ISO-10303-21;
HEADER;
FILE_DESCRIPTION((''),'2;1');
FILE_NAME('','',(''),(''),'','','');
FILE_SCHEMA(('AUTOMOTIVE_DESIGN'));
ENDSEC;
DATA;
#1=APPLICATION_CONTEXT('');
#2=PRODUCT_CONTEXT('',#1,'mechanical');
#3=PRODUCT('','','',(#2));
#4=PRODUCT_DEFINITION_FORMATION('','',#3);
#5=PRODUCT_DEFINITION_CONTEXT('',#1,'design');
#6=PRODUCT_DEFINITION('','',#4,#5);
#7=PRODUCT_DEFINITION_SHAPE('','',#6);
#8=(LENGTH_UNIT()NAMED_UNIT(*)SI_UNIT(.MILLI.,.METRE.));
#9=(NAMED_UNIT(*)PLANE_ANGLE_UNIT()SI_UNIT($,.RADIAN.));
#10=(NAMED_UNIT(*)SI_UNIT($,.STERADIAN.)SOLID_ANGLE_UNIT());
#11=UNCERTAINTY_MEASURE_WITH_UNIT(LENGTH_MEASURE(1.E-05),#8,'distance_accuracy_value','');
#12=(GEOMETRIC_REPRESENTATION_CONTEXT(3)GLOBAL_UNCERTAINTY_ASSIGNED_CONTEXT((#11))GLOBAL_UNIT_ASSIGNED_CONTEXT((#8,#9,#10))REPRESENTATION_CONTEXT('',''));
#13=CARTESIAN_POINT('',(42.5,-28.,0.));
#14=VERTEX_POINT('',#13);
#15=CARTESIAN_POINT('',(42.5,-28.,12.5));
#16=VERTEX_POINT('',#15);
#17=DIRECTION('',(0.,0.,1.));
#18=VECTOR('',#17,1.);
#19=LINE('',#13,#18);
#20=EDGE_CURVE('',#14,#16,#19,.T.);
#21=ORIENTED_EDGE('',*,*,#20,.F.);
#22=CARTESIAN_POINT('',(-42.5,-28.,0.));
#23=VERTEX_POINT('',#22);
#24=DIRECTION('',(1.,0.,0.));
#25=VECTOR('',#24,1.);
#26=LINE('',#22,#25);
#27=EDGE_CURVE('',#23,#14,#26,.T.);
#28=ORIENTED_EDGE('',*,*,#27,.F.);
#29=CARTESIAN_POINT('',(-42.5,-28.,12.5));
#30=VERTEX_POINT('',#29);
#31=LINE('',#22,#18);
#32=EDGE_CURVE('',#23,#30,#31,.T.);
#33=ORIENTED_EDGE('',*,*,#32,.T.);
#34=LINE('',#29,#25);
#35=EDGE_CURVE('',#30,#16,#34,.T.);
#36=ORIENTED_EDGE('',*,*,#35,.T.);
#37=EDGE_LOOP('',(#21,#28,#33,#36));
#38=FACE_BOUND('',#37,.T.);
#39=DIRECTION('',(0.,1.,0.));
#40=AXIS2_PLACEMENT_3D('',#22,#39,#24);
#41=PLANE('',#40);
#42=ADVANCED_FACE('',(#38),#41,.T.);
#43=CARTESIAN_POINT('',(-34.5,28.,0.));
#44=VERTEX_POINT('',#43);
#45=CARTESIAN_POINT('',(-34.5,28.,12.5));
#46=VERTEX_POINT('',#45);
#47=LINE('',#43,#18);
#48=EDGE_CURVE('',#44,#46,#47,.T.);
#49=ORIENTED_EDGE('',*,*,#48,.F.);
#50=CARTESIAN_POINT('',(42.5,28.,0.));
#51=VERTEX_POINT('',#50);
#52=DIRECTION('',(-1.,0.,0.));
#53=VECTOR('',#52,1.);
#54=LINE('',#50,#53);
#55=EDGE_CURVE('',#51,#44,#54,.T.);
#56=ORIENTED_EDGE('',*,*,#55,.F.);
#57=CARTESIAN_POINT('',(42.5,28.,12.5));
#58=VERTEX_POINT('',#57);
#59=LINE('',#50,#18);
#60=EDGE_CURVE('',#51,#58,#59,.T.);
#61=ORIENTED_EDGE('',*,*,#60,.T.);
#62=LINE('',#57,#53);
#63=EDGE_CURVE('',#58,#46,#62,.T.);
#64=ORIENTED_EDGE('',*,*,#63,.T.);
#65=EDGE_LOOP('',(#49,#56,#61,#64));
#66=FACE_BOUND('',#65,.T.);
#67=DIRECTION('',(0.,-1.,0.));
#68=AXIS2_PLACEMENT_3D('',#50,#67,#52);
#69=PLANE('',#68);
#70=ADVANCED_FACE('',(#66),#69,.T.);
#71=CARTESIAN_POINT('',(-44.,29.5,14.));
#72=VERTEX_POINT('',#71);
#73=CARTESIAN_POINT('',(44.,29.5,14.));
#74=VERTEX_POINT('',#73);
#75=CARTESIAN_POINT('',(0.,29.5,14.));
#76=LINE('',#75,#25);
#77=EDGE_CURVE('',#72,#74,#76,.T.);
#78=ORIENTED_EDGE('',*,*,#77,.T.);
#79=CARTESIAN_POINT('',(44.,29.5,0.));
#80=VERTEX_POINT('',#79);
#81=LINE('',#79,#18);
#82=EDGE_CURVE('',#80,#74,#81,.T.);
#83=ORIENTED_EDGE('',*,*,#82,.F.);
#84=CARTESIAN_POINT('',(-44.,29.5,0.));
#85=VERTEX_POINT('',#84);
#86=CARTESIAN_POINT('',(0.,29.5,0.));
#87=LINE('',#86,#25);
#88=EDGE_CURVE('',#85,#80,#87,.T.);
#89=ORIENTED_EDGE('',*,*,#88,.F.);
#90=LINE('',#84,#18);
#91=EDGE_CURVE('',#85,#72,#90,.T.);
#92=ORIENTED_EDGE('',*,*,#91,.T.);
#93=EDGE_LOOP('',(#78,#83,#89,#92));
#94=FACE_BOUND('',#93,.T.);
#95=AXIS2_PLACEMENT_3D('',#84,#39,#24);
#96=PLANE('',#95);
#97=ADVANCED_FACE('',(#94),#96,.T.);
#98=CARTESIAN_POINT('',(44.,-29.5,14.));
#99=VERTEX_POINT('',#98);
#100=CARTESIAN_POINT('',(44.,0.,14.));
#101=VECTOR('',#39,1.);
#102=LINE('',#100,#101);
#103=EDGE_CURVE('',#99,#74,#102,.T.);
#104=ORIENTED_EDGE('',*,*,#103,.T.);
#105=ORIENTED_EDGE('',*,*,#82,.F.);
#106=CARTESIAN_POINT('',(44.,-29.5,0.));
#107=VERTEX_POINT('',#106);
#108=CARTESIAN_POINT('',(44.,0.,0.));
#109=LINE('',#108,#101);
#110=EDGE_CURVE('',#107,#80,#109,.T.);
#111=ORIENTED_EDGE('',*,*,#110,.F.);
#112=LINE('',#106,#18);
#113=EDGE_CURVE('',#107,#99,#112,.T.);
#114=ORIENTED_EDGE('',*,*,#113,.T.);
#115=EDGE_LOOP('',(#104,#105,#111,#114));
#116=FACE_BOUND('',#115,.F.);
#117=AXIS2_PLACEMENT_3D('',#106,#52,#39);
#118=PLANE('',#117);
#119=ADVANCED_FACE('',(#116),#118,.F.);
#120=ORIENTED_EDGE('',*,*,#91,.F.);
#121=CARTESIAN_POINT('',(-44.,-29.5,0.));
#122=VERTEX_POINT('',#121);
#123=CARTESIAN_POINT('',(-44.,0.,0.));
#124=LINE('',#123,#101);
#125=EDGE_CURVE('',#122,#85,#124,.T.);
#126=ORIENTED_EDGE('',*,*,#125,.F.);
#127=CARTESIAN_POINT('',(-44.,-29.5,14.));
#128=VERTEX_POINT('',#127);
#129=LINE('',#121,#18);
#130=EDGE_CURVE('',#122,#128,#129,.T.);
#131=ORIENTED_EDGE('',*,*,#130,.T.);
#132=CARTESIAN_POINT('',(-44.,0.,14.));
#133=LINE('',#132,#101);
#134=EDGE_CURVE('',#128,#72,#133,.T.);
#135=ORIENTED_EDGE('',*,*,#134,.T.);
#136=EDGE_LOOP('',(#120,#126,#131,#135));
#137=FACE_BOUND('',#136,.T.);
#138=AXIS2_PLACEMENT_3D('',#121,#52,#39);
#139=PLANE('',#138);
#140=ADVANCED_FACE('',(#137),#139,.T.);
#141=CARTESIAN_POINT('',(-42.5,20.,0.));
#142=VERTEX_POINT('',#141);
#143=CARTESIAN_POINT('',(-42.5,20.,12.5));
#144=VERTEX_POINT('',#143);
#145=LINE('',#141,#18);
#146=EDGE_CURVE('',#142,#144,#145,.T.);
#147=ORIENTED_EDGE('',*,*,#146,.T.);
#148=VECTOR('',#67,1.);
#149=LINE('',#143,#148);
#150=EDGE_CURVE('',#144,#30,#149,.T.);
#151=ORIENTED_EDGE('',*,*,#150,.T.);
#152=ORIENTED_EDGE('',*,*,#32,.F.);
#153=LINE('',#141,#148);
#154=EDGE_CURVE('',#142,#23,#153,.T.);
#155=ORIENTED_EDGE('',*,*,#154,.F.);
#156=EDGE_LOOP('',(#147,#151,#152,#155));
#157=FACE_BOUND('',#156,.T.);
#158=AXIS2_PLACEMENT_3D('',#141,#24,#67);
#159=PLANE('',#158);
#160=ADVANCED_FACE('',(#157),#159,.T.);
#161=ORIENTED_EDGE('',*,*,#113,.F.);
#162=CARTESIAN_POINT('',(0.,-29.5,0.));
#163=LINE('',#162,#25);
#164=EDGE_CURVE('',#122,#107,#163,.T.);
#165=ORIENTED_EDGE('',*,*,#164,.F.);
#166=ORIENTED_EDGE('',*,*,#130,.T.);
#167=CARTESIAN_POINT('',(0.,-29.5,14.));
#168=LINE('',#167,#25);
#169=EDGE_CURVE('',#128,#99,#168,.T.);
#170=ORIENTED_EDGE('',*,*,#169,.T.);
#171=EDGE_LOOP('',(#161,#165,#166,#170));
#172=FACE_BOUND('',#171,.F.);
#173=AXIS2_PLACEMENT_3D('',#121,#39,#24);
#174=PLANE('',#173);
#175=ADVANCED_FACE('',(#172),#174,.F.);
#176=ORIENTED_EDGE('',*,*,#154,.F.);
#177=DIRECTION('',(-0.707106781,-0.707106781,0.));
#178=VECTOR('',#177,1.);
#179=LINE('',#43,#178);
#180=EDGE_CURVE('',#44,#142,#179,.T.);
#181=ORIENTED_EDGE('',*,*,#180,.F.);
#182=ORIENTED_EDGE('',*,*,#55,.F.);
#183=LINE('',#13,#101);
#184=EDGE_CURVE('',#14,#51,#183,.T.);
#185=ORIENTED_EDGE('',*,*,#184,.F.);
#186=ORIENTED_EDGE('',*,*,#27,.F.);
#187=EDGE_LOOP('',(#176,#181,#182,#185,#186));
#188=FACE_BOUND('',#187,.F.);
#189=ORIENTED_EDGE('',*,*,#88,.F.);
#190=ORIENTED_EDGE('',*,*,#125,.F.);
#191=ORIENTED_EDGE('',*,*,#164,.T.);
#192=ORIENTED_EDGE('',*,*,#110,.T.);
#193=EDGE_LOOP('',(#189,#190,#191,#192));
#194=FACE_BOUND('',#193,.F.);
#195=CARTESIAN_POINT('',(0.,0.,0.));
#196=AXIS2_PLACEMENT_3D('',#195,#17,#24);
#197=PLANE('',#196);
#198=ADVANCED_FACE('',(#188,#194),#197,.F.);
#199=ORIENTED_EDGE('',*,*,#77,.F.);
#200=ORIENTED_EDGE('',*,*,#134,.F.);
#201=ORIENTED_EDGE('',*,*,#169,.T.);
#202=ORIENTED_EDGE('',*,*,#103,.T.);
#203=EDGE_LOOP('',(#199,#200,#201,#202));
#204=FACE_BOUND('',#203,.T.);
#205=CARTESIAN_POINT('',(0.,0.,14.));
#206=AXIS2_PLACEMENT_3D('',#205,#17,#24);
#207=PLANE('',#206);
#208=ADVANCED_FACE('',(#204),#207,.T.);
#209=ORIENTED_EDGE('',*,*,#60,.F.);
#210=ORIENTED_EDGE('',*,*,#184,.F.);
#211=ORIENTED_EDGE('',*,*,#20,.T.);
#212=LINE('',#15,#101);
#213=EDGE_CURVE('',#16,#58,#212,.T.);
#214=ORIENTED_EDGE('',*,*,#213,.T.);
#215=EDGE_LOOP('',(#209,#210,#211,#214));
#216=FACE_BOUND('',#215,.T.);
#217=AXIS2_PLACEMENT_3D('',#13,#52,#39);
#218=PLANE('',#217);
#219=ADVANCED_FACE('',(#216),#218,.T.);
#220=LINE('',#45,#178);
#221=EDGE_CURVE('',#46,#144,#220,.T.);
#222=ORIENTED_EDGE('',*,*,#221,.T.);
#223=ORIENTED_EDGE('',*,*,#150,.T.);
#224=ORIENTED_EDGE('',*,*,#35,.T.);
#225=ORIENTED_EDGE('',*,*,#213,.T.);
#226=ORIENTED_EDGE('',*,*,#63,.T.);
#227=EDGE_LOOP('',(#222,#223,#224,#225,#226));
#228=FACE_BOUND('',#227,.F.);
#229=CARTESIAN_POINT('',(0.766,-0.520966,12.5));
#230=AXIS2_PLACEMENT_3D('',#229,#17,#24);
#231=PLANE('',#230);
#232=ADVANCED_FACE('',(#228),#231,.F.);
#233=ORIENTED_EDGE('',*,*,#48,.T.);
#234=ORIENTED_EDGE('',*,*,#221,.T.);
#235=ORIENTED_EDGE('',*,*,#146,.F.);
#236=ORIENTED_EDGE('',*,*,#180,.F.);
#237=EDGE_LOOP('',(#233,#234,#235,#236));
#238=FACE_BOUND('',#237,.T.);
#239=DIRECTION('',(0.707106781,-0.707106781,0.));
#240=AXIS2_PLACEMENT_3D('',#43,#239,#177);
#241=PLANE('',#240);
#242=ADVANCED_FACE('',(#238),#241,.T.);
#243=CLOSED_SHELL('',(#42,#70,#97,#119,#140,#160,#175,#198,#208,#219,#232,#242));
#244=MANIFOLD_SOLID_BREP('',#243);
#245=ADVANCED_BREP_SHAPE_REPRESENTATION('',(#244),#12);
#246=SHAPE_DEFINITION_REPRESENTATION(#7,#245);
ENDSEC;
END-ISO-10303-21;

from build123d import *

# Parameters (mm, degrees)
F1_W     = 88
F1_H     = 59
F2_DEPTH = 14
F3_DEPTH = 12.5


with BuildPart() as f2:
    # F1 (on Top) → F2 (new body)
    with BuildSketch(Plane.XY):
        Rectangle(F1_W, F1_H)
    extrude(amount=F2_DEPTH)

    # F0 (on Top) → F3 (cut)
    with BuildSketch(Plane.XY):
        Polygon((-42.5, -28), (42.5, -28), (42.5, 28), (-34.5, 28), (-42.5, 20), align=None)
    extrude(amount=F3_DEPTH, mode=Mode.SUBTRACT)


solid = f2.part
